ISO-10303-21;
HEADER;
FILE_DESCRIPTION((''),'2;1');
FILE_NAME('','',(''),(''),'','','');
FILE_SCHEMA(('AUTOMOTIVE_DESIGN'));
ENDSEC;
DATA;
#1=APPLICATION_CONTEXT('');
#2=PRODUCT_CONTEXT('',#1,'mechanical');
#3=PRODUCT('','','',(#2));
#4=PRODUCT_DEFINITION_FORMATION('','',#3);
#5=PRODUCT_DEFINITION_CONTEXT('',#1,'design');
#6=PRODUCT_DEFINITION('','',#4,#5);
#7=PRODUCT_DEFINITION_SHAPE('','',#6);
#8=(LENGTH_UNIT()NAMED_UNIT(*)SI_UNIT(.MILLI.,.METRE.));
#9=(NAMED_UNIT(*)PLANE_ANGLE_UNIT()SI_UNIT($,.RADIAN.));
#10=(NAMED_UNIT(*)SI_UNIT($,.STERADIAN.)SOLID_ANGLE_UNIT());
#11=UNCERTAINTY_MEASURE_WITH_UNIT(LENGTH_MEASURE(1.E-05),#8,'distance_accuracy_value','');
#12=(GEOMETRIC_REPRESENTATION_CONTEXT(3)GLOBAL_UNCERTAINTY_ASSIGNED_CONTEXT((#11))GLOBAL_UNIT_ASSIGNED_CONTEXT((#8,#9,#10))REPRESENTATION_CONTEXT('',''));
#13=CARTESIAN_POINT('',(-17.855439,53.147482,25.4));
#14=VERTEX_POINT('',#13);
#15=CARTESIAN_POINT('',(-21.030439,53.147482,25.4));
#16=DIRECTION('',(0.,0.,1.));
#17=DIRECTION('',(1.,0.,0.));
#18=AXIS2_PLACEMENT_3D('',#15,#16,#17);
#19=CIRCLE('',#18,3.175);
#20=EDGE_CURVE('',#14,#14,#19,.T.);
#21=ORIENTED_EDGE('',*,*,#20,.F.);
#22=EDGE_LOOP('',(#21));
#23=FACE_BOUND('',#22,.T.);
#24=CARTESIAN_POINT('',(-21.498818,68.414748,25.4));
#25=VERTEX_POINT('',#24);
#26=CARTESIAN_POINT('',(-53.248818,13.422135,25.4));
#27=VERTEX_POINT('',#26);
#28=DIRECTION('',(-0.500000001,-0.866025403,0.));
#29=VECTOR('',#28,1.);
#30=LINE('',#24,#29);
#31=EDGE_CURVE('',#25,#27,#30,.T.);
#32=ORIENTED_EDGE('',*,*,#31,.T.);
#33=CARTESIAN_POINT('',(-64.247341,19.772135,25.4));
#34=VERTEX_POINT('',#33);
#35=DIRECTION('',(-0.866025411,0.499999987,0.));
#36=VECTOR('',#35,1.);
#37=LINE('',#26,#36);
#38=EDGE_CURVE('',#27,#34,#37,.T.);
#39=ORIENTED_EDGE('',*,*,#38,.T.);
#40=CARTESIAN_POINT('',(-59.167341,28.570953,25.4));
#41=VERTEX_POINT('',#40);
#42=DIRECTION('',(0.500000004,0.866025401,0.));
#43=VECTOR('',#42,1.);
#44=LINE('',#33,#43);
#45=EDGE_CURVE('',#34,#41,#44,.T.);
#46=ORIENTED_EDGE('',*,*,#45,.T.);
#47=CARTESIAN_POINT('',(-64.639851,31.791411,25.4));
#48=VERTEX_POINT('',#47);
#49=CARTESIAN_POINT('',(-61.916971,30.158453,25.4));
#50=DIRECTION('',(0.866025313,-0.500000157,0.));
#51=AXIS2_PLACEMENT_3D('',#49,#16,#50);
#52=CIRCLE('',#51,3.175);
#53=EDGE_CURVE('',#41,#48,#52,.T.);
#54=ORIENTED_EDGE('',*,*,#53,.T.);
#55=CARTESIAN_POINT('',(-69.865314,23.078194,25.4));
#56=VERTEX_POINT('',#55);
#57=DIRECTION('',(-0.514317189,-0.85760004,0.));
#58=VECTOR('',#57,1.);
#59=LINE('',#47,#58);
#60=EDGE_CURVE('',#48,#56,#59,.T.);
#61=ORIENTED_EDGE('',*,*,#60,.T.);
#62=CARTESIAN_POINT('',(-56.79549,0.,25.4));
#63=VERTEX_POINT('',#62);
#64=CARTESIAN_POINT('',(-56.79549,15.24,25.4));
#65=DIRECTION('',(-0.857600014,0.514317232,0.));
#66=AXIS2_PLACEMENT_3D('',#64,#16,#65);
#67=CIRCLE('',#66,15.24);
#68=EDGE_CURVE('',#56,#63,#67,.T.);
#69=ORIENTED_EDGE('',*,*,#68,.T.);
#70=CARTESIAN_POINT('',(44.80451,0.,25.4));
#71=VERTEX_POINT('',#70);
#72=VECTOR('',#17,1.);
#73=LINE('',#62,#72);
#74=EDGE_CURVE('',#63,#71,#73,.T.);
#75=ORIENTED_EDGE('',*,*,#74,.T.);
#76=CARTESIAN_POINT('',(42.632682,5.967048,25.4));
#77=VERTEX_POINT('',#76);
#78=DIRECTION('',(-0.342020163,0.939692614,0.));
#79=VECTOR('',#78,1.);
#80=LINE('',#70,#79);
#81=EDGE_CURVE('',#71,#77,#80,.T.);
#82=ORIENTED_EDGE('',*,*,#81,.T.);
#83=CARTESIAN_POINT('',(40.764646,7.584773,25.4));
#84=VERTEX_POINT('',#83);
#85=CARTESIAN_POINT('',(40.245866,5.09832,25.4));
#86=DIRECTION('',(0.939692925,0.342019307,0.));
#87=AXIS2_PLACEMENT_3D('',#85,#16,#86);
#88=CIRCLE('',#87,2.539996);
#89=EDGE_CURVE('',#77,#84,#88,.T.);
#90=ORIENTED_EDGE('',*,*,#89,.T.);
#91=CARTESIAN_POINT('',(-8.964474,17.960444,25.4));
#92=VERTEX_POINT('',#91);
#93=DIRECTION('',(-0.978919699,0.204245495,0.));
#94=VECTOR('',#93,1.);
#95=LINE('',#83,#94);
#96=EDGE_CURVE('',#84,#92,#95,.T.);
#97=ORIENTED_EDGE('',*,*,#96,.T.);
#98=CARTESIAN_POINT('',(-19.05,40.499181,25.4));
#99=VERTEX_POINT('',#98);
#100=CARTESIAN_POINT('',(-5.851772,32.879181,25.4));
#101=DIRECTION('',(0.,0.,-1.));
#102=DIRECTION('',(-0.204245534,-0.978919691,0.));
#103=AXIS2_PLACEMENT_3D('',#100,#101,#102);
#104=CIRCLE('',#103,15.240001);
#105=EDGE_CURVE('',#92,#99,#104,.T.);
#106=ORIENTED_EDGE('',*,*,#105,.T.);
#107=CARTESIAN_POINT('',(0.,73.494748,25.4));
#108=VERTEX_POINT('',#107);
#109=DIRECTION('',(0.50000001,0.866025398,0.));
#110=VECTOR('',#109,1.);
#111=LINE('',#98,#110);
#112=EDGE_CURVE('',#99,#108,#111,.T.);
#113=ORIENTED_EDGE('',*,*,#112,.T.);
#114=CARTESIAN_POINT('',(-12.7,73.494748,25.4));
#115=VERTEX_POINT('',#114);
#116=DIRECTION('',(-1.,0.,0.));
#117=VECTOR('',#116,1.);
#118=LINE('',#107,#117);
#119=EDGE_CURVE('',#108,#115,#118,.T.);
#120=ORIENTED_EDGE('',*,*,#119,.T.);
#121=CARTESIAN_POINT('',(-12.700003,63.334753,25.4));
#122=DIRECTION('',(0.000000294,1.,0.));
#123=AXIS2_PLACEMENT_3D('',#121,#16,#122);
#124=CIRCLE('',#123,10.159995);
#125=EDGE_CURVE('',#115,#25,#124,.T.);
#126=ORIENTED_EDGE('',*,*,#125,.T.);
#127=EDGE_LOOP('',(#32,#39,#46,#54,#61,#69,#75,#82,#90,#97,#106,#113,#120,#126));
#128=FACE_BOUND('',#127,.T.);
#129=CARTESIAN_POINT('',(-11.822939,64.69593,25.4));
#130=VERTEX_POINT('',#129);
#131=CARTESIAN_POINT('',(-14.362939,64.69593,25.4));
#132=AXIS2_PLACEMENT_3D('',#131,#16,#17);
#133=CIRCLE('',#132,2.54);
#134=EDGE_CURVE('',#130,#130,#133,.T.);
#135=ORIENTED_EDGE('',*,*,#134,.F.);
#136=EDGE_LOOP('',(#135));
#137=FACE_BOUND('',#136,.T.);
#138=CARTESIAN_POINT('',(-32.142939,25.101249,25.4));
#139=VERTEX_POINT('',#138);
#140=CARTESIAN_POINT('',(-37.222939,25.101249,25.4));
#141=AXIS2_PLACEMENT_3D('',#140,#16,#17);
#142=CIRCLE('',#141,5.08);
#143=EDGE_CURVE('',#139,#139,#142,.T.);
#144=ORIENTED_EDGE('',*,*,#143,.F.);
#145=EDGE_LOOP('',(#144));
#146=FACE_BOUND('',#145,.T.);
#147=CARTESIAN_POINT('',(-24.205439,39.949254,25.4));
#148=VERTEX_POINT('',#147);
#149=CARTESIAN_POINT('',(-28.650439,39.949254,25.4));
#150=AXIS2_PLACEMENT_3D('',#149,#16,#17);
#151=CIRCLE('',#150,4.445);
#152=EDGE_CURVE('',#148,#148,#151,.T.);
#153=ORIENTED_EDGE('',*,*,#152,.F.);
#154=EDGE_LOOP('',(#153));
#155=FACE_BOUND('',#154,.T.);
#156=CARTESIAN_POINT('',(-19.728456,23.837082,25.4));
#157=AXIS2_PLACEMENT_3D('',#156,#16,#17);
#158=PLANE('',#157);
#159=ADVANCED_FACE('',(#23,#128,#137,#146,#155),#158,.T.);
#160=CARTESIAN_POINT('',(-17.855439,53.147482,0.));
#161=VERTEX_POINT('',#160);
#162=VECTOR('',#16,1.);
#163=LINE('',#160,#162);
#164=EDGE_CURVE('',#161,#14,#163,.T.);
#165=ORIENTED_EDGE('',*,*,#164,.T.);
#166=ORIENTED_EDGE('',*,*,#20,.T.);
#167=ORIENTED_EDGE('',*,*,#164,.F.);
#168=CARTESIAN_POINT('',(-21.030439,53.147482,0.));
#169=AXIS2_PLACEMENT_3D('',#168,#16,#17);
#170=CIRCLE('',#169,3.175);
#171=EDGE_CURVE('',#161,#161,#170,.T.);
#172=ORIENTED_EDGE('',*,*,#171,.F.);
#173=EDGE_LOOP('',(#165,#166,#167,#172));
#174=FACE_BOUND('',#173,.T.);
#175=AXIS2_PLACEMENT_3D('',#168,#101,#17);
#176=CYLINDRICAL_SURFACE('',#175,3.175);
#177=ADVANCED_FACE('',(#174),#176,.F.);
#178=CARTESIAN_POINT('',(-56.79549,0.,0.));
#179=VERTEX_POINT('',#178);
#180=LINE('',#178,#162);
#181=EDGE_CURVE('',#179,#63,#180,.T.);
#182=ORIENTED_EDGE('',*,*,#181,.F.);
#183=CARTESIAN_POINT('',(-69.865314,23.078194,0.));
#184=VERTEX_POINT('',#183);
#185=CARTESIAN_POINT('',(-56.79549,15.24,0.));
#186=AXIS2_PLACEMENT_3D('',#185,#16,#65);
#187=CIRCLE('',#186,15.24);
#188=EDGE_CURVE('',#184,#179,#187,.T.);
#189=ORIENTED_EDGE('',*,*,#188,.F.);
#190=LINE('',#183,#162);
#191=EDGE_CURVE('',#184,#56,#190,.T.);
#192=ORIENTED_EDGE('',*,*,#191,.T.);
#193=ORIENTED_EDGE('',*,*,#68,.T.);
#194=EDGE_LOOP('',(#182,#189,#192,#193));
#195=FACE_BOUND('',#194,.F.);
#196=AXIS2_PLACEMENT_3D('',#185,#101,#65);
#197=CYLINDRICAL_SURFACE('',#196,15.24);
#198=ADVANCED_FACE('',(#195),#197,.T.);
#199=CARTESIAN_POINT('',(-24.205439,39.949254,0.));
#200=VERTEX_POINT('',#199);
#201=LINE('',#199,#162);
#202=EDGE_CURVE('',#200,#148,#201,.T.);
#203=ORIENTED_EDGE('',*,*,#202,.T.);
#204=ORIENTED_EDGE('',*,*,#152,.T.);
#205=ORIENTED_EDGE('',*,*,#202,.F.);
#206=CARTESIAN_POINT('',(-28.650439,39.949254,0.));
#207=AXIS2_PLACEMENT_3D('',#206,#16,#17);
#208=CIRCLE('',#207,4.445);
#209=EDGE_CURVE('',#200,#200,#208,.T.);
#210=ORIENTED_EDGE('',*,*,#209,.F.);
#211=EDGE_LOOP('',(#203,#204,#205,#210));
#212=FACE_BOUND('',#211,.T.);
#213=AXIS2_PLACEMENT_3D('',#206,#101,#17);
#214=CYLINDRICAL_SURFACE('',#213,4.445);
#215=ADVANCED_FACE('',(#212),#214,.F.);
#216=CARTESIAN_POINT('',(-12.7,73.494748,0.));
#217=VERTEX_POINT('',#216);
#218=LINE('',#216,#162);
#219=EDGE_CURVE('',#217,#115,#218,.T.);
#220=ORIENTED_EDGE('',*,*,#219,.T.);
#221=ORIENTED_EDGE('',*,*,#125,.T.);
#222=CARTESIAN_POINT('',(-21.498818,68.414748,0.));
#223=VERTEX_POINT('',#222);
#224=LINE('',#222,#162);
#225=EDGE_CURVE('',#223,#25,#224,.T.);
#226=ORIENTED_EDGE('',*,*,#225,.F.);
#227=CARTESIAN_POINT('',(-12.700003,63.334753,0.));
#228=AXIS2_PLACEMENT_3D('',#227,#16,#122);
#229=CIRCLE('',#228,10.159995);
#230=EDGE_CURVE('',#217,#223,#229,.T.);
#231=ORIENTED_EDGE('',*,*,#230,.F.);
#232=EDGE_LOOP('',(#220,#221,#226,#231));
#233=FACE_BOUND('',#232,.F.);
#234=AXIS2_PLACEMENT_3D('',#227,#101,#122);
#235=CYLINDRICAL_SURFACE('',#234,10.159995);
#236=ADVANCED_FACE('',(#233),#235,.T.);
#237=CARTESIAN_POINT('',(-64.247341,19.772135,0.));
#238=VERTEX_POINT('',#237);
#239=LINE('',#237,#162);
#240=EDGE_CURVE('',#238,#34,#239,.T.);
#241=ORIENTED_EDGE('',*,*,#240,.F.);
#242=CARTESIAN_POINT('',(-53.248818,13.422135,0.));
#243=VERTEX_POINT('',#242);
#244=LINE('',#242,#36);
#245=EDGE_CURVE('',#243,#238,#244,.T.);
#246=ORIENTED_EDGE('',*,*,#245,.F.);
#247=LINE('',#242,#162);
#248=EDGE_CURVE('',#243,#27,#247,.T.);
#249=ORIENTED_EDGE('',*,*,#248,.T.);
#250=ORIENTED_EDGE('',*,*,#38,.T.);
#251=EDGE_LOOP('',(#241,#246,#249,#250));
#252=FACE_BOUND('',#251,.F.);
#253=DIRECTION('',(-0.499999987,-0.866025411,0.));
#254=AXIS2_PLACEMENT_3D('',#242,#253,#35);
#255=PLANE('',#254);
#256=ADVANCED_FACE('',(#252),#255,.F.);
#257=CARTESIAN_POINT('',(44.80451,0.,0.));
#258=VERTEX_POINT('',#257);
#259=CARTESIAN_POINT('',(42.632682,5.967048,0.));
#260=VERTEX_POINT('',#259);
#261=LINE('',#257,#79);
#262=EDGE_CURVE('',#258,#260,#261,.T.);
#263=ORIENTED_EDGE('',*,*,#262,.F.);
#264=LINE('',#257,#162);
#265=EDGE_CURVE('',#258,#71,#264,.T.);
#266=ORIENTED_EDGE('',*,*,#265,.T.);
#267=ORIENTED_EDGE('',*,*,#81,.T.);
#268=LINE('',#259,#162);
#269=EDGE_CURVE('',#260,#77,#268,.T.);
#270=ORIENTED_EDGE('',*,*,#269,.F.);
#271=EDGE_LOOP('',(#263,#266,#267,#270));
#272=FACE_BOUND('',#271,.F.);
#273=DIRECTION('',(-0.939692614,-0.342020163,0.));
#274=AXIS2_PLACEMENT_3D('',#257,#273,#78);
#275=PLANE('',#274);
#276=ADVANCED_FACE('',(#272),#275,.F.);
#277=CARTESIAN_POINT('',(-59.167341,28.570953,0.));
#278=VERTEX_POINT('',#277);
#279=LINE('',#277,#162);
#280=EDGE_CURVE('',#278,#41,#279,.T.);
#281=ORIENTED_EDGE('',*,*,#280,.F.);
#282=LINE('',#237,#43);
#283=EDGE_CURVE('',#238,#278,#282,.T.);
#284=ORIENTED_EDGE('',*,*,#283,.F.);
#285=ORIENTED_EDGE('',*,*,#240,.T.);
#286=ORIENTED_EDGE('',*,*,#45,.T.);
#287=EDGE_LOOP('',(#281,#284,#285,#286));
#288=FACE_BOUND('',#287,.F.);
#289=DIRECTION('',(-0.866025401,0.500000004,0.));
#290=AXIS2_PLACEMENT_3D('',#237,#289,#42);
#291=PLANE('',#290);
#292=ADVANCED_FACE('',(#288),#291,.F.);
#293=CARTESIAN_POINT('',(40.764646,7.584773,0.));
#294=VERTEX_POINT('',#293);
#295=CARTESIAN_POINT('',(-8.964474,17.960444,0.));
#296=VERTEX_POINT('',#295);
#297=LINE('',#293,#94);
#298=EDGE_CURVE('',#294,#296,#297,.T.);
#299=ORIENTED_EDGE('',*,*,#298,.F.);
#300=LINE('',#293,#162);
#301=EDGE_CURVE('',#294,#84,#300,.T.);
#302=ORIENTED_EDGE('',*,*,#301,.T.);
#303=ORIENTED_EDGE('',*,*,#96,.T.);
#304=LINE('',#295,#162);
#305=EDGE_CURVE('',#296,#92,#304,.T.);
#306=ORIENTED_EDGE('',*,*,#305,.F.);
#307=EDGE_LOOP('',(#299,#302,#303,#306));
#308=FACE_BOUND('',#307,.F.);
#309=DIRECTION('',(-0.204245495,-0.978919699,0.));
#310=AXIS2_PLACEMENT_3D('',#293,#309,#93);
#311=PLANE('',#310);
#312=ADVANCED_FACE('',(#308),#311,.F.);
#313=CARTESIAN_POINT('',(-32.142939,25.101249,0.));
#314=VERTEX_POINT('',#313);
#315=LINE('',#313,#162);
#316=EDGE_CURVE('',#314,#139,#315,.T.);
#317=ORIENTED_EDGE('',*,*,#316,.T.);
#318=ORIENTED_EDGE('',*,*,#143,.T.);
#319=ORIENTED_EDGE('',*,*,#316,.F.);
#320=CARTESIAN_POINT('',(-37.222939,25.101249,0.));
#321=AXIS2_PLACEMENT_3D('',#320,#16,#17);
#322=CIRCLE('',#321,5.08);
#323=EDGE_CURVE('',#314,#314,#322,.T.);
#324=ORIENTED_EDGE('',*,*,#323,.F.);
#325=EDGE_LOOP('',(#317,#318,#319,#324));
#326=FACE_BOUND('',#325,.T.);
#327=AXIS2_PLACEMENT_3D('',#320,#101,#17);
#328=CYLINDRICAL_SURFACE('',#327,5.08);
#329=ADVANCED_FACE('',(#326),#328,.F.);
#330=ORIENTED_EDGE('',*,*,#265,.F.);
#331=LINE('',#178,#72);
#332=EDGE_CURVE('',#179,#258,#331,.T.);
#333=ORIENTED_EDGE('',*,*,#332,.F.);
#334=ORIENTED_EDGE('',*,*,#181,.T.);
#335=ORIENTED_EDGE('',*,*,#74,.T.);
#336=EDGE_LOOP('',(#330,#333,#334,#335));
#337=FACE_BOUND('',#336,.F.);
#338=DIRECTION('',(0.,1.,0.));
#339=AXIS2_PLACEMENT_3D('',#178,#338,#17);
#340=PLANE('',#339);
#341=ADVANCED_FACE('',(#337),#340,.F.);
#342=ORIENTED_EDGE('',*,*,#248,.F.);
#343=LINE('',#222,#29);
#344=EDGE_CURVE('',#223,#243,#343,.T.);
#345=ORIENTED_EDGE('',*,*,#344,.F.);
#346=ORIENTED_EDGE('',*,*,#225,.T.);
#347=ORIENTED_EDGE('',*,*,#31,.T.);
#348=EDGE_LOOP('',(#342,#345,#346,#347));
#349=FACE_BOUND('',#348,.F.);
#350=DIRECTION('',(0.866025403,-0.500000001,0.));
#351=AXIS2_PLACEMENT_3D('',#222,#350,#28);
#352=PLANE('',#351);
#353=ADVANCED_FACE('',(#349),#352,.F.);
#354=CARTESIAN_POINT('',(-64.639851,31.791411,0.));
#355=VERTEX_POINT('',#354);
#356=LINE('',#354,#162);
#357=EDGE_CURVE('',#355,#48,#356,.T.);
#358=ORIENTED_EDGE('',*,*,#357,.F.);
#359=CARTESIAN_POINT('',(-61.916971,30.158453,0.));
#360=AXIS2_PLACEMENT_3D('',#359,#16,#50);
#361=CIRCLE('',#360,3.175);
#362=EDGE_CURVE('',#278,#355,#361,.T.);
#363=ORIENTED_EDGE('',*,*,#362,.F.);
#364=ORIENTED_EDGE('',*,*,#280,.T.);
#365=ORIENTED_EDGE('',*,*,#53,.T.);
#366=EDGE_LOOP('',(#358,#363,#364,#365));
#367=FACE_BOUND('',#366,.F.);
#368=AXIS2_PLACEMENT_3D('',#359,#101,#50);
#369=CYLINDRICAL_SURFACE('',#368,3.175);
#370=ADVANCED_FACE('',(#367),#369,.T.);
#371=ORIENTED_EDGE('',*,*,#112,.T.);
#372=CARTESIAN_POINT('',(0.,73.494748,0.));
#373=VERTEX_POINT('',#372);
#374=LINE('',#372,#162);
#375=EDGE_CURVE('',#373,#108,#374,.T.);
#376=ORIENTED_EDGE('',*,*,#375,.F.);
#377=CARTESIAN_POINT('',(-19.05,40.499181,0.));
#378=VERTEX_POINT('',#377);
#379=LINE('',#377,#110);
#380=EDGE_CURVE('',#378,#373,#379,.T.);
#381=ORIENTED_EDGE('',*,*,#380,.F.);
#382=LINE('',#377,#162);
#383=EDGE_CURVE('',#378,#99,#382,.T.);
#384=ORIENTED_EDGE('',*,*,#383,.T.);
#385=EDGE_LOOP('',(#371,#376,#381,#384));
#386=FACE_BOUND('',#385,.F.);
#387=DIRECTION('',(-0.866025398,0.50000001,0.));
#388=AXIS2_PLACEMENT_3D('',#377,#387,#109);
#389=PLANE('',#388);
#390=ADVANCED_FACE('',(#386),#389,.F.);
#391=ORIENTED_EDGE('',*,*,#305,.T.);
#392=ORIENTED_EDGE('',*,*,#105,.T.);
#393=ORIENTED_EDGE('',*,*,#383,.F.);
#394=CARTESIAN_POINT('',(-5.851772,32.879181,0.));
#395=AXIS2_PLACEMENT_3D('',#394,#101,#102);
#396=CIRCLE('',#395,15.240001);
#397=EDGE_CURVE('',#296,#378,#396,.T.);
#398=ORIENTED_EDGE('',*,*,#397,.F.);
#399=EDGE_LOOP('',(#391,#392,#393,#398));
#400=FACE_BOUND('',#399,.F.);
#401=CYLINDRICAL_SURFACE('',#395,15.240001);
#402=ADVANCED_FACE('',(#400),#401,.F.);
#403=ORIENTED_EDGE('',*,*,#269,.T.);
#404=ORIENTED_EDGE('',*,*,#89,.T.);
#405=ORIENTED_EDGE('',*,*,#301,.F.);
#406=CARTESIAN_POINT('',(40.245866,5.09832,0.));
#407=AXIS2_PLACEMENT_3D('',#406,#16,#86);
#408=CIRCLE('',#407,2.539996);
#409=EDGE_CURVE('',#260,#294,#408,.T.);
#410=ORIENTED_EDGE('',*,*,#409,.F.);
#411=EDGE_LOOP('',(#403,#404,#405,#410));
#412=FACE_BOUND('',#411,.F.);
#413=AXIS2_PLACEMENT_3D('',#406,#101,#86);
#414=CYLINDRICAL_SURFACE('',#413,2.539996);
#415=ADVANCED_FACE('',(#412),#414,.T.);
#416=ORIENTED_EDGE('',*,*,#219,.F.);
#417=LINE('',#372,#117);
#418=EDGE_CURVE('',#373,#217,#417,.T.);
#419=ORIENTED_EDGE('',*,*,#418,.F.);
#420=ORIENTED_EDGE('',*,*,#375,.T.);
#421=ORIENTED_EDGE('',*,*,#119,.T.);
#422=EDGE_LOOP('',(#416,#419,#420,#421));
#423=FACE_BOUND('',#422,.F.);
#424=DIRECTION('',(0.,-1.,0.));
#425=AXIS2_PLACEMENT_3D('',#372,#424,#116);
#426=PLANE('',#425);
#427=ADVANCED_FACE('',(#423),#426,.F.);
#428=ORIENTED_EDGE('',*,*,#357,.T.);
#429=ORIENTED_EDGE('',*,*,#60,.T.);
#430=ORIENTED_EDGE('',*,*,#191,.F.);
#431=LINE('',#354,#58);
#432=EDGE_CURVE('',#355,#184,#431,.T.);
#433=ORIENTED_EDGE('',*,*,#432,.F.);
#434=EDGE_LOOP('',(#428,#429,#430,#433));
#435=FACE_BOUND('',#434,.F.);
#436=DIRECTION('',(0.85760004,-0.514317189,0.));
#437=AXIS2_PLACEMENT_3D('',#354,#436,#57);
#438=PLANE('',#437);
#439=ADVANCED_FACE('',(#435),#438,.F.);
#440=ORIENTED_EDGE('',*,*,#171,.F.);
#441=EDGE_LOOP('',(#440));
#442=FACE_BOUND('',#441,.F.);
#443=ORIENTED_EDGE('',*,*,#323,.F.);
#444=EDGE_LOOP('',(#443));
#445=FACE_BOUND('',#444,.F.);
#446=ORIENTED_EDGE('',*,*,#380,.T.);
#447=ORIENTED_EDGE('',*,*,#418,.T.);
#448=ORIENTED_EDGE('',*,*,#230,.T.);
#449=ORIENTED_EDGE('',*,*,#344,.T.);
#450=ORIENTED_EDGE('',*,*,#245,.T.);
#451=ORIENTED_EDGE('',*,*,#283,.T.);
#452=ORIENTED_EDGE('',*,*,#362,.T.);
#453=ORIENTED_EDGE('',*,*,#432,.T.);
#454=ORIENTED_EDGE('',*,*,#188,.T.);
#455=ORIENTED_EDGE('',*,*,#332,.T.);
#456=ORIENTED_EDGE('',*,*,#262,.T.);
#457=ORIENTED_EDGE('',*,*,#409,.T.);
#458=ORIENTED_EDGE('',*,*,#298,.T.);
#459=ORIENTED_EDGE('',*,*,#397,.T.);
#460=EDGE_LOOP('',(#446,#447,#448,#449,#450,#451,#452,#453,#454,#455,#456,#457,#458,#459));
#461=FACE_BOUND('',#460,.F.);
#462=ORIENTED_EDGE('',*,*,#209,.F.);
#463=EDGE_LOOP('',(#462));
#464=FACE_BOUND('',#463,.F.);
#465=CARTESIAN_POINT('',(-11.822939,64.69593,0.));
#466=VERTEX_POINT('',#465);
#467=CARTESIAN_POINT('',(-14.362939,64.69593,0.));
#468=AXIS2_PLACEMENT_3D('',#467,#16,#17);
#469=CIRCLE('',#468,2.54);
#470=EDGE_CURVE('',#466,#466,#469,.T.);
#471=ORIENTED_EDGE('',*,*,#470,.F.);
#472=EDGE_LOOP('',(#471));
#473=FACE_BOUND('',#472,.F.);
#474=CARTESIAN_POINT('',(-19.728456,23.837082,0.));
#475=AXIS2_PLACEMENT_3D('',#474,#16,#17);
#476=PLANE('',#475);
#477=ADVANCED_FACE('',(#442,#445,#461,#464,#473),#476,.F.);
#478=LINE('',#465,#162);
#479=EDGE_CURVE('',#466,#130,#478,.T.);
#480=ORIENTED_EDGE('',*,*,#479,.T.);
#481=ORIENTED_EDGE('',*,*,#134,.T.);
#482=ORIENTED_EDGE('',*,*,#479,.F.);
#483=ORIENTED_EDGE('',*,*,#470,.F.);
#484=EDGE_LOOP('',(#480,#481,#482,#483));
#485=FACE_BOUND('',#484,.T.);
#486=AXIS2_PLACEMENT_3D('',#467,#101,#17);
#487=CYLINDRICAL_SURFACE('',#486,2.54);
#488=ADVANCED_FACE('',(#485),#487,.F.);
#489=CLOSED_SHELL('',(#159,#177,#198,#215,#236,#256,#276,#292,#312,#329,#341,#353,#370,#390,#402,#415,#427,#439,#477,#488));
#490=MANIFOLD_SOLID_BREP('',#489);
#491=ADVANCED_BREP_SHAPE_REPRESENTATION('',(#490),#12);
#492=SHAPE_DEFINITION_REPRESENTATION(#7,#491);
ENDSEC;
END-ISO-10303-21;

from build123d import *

# Parameters (mm, degrees)
F0_R     = 5.08
F0_R_2   = 4.445
F0_R_3   = 3.175
F0_R_4   = 2.54
F1_DEPTH = 25.4


with BuildPart() as f1:
    # F0 (on Top) → F1 (new body)
    with BuildSketch(Plane.XY):
        with BuildLine():
            ThreePointArc((-69.865314, 23.078194), (-70.056555, 7.72989), (-56.79549, 0))
            Line((-56.79549, 0), (44.80451, 0))
            Line((44.80451, 0), (42.632682, 5.967048))
            ThreePointArc((42.632682, 5.967048), (41.908659, 7.018398), (40.764646, 7.584773))
            Line((40.764646, 7.584773), (-8.964474, 17.960444))
            ThreePointArc((-8.964474, 17.960444), (-19.762569, 26.654444), (-19.05, 40.499181))
            Line((-19.05, 40.499181), (0, 73.494748))
            Line((0, 73.494748), (-12.7, 73.494748))
            ThreePointArc((-12.7, 73.494748), (-17.78, 72.133567), (-21.498818, 68.414748))
            Line((-21.498818, 68.414748), (-53.248818, 13.422135))
            Line((-53.248818, 13.422135), (-64.247341, 19.772135))
            Line((-64.247341, 19.772135), (-59.167341, 28.570953))
            ThreePointArc((-59.167341, 28.570953), (-60.306687, 32.894803), (-64.639851, 31.791411))
            Line((-64.639851, 31.791411), (-69.865314, 23.078194))
        make_face()
        with Locations((-37.222939, 25.101249)):
            Circle(F0_R, mode=Mode.SUBTRACT)
        with Locations((-28.650439, 39.949254)):
            Circle(F0_R_2, mode=Mode.SUBTRACT)
        with Locations((-21.030439, 53.147482)):
            Circle(F0_R_3, mode=Mode.SUBTRACT)
        with Locations((-14.362939, 64.69593)):
            Circle(F0_R_4, mode=Mode.SUBTRACT)
    extrude(amount=F1_DEPTH)


solid = f1.part
